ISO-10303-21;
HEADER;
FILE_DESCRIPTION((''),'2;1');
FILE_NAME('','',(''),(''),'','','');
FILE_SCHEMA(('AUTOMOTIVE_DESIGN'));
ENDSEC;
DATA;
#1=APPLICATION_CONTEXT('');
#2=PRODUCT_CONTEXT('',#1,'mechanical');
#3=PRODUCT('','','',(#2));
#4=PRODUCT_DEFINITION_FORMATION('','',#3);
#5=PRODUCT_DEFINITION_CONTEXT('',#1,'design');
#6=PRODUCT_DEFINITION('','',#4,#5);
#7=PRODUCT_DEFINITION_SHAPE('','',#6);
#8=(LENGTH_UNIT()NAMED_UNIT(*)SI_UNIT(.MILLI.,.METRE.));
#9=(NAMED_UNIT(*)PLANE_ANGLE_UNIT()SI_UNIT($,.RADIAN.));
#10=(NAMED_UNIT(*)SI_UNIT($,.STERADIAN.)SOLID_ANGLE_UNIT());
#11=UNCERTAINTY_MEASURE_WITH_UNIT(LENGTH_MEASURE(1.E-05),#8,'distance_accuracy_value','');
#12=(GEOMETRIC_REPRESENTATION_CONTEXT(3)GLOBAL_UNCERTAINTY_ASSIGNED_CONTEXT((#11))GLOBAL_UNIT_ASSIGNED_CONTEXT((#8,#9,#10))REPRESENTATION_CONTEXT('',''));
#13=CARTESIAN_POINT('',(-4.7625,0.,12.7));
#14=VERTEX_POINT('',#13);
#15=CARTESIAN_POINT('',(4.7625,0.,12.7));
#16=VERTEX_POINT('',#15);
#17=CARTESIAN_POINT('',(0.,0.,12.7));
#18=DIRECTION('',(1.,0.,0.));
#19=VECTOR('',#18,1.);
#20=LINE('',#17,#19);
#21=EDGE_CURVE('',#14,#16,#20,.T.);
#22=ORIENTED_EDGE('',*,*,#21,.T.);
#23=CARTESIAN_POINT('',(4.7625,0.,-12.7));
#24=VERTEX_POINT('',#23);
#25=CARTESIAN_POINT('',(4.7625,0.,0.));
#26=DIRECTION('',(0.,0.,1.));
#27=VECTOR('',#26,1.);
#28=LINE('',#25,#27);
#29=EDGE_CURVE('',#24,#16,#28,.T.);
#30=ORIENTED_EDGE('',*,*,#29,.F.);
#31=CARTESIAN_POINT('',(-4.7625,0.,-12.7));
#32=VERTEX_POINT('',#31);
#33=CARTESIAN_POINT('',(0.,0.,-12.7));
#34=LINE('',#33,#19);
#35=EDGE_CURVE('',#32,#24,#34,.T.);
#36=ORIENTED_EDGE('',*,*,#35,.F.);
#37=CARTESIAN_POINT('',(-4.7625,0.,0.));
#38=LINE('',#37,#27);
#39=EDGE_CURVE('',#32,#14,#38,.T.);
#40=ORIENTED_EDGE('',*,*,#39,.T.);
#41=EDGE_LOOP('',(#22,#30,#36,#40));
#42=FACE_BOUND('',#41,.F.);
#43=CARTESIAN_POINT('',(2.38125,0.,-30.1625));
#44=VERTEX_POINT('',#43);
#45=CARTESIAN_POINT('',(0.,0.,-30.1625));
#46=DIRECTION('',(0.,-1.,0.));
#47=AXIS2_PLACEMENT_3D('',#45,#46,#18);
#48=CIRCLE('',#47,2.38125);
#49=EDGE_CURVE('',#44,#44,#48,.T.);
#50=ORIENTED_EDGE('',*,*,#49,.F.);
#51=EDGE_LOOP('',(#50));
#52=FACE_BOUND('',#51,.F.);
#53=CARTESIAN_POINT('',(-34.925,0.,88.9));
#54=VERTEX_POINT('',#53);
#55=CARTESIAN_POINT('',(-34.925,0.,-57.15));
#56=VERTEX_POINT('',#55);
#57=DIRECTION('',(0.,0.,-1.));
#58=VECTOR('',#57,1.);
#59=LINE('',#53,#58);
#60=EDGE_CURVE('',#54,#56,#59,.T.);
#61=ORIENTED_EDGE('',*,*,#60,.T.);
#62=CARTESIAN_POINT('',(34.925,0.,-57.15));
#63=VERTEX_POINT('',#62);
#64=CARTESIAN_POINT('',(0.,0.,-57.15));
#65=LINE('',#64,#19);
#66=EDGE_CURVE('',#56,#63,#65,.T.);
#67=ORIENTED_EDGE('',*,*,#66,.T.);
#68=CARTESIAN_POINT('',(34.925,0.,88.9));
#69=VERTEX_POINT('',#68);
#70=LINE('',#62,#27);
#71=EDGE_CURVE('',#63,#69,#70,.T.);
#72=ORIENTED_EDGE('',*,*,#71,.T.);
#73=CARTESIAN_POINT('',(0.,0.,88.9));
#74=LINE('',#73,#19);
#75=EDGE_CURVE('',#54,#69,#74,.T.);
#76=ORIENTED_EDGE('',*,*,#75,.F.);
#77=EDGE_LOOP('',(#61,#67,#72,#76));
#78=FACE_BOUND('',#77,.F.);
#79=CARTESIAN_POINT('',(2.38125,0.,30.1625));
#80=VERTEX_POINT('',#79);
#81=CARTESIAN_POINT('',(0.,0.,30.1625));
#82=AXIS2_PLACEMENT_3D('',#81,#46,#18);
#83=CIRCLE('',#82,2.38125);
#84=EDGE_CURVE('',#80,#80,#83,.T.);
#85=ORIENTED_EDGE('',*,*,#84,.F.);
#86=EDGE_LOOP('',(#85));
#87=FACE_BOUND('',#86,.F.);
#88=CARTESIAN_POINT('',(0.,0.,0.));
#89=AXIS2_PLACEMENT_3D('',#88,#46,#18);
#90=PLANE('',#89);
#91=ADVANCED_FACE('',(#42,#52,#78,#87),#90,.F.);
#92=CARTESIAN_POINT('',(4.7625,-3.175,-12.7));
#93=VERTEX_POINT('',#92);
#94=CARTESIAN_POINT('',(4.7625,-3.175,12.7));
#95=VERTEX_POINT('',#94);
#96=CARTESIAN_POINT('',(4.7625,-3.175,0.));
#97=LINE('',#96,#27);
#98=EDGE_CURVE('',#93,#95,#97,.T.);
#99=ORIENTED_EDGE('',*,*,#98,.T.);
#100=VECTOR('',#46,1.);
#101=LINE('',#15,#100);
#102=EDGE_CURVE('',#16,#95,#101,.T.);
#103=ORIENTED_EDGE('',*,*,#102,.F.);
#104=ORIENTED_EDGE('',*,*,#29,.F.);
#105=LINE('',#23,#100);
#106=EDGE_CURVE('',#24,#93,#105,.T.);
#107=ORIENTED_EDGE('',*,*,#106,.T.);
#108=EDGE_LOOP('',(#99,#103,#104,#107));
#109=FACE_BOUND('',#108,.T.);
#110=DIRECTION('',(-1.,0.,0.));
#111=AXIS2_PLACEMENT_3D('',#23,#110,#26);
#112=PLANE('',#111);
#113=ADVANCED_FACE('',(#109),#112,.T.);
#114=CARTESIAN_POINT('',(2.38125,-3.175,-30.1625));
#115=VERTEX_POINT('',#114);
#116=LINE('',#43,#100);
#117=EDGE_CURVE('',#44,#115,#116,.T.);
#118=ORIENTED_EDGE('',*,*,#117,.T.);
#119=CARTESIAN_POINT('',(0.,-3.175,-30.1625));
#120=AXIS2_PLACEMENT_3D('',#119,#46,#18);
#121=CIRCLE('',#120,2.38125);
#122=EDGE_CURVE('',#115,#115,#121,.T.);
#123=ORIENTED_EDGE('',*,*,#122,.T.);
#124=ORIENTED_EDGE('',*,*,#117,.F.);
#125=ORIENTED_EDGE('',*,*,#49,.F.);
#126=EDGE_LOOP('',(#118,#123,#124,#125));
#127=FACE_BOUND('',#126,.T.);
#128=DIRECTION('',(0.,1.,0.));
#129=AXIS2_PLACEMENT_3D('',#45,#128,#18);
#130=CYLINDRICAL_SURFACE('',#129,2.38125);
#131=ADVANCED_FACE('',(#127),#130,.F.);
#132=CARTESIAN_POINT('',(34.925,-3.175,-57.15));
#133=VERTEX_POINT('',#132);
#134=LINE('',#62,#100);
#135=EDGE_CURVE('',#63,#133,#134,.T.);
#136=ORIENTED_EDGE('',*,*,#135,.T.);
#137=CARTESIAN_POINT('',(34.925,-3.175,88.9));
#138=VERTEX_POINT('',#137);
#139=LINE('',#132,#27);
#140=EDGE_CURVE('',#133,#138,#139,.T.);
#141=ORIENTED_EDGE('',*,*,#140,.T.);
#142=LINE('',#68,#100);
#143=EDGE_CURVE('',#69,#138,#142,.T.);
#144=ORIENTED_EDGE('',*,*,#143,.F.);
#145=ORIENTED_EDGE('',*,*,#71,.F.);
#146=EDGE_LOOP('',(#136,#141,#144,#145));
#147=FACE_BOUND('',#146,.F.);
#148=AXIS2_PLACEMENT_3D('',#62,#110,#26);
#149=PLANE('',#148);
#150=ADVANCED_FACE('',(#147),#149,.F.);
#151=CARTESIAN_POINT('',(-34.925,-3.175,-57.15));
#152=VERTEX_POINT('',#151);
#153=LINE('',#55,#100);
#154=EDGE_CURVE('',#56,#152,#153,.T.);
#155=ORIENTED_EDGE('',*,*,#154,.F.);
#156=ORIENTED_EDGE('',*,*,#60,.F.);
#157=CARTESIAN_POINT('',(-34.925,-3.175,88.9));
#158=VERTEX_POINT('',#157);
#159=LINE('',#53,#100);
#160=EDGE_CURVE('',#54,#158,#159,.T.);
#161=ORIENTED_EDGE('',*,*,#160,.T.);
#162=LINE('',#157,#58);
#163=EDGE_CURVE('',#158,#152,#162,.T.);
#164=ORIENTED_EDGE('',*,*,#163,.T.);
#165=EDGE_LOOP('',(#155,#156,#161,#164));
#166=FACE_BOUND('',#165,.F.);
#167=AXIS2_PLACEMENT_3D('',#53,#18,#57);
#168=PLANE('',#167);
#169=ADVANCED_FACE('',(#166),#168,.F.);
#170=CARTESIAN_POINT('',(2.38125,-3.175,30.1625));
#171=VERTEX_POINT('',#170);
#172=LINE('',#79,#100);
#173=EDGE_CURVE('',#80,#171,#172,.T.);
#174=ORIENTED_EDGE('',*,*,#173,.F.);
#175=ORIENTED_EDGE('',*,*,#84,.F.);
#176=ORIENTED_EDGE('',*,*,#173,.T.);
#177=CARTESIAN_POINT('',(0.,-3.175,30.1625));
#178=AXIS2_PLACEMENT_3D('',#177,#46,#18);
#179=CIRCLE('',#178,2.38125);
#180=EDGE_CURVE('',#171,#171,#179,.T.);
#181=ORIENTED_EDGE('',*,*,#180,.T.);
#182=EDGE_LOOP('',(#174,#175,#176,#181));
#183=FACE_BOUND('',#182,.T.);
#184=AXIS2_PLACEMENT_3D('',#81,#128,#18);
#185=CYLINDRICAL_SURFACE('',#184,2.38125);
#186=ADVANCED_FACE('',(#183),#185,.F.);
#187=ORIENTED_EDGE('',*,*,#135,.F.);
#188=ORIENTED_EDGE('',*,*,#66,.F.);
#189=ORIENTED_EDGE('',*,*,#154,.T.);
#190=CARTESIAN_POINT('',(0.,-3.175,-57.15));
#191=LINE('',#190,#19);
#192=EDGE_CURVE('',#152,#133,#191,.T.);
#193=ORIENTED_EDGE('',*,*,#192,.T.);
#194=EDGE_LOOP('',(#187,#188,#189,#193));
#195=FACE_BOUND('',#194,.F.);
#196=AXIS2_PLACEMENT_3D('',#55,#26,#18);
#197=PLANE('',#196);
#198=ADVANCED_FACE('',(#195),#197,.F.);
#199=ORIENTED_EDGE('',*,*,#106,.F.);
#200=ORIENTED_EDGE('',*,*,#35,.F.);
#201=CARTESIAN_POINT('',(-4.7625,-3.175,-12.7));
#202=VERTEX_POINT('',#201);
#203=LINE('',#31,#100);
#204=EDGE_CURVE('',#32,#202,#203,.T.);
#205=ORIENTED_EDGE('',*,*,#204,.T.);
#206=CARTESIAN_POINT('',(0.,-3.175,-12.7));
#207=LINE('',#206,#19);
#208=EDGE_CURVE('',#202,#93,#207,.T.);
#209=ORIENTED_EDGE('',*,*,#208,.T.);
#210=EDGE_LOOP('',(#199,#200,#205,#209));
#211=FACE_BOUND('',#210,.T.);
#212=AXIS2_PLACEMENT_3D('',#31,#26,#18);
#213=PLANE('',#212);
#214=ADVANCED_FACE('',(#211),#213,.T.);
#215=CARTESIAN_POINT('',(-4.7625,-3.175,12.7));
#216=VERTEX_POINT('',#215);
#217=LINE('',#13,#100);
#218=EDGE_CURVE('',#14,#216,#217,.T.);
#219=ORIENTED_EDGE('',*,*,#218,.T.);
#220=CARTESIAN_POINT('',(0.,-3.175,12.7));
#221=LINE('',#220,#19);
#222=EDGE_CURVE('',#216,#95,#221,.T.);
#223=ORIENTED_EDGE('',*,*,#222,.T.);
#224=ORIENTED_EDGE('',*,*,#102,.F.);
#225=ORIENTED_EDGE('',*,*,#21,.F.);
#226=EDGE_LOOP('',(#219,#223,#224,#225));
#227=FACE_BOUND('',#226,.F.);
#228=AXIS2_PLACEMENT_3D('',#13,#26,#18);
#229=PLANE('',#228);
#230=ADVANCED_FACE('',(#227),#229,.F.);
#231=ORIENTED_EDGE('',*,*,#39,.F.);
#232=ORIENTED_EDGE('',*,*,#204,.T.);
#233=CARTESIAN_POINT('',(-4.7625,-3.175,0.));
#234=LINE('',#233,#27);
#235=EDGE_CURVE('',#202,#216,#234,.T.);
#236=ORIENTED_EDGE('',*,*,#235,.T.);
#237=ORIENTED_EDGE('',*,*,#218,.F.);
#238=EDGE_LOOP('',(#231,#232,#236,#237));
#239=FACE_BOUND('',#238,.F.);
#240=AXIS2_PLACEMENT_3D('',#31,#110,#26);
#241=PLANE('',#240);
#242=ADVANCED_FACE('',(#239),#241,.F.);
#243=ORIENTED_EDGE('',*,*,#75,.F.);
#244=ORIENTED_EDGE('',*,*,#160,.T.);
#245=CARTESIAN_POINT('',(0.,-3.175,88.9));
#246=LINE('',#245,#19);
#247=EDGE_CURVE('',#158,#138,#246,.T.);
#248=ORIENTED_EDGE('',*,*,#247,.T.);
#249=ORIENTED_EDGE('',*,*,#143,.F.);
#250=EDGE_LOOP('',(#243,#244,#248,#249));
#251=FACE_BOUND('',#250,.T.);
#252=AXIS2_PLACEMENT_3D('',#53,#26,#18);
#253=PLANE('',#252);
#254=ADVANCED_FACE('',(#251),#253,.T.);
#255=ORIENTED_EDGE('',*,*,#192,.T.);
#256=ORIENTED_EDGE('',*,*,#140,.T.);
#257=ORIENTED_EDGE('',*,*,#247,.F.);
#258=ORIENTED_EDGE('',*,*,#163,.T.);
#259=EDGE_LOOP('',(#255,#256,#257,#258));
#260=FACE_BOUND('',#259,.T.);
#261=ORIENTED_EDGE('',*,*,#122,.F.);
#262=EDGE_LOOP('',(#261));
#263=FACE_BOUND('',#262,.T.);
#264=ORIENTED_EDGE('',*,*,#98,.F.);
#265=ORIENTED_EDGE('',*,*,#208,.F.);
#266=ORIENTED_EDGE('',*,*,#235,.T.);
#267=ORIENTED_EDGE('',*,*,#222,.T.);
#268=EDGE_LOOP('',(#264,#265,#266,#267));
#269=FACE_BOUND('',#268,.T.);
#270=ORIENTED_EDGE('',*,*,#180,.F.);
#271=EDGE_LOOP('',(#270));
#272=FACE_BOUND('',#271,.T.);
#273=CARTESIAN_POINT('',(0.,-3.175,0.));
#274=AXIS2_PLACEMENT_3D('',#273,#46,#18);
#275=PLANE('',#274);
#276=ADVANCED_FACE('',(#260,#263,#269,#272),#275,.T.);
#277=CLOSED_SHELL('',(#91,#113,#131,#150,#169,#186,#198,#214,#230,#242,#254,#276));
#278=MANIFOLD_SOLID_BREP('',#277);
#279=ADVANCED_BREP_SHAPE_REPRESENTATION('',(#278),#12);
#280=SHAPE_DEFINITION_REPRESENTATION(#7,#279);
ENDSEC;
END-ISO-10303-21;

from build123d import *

# Parameters (mm, degrees)
F0_W     = 69.85
F0_H     = 114.3
F0_R     = 2.38125
F0_W_2   = 9.525
F0_H_2   = 25.4
F0_H_3   = 31.75
F1_DEPTH = 3.175


with BuildPart() as f1:
    # F0 (on Front) → F1 (new body)
    with BuildSketch(Plane.XZ):
        Rectangle(F0_W, F0_H)
        with Locations((0, -30.1625)):
            Circle(F0_R, mode=Mode.SUBTRACT)
        Rectangle(F0_W_2, F0_H_2, mode=Mode.SUBTRACT)
        with Locations((0, 30.1625)):
            Circle(F0_R, mode=Mode.SUBTRACT)
        with Locations((0, 73.025)):
            Rectangle(F0_W, F0_H_3)
    extrude(amount=F1_DEPTH)


solid = f1.part
